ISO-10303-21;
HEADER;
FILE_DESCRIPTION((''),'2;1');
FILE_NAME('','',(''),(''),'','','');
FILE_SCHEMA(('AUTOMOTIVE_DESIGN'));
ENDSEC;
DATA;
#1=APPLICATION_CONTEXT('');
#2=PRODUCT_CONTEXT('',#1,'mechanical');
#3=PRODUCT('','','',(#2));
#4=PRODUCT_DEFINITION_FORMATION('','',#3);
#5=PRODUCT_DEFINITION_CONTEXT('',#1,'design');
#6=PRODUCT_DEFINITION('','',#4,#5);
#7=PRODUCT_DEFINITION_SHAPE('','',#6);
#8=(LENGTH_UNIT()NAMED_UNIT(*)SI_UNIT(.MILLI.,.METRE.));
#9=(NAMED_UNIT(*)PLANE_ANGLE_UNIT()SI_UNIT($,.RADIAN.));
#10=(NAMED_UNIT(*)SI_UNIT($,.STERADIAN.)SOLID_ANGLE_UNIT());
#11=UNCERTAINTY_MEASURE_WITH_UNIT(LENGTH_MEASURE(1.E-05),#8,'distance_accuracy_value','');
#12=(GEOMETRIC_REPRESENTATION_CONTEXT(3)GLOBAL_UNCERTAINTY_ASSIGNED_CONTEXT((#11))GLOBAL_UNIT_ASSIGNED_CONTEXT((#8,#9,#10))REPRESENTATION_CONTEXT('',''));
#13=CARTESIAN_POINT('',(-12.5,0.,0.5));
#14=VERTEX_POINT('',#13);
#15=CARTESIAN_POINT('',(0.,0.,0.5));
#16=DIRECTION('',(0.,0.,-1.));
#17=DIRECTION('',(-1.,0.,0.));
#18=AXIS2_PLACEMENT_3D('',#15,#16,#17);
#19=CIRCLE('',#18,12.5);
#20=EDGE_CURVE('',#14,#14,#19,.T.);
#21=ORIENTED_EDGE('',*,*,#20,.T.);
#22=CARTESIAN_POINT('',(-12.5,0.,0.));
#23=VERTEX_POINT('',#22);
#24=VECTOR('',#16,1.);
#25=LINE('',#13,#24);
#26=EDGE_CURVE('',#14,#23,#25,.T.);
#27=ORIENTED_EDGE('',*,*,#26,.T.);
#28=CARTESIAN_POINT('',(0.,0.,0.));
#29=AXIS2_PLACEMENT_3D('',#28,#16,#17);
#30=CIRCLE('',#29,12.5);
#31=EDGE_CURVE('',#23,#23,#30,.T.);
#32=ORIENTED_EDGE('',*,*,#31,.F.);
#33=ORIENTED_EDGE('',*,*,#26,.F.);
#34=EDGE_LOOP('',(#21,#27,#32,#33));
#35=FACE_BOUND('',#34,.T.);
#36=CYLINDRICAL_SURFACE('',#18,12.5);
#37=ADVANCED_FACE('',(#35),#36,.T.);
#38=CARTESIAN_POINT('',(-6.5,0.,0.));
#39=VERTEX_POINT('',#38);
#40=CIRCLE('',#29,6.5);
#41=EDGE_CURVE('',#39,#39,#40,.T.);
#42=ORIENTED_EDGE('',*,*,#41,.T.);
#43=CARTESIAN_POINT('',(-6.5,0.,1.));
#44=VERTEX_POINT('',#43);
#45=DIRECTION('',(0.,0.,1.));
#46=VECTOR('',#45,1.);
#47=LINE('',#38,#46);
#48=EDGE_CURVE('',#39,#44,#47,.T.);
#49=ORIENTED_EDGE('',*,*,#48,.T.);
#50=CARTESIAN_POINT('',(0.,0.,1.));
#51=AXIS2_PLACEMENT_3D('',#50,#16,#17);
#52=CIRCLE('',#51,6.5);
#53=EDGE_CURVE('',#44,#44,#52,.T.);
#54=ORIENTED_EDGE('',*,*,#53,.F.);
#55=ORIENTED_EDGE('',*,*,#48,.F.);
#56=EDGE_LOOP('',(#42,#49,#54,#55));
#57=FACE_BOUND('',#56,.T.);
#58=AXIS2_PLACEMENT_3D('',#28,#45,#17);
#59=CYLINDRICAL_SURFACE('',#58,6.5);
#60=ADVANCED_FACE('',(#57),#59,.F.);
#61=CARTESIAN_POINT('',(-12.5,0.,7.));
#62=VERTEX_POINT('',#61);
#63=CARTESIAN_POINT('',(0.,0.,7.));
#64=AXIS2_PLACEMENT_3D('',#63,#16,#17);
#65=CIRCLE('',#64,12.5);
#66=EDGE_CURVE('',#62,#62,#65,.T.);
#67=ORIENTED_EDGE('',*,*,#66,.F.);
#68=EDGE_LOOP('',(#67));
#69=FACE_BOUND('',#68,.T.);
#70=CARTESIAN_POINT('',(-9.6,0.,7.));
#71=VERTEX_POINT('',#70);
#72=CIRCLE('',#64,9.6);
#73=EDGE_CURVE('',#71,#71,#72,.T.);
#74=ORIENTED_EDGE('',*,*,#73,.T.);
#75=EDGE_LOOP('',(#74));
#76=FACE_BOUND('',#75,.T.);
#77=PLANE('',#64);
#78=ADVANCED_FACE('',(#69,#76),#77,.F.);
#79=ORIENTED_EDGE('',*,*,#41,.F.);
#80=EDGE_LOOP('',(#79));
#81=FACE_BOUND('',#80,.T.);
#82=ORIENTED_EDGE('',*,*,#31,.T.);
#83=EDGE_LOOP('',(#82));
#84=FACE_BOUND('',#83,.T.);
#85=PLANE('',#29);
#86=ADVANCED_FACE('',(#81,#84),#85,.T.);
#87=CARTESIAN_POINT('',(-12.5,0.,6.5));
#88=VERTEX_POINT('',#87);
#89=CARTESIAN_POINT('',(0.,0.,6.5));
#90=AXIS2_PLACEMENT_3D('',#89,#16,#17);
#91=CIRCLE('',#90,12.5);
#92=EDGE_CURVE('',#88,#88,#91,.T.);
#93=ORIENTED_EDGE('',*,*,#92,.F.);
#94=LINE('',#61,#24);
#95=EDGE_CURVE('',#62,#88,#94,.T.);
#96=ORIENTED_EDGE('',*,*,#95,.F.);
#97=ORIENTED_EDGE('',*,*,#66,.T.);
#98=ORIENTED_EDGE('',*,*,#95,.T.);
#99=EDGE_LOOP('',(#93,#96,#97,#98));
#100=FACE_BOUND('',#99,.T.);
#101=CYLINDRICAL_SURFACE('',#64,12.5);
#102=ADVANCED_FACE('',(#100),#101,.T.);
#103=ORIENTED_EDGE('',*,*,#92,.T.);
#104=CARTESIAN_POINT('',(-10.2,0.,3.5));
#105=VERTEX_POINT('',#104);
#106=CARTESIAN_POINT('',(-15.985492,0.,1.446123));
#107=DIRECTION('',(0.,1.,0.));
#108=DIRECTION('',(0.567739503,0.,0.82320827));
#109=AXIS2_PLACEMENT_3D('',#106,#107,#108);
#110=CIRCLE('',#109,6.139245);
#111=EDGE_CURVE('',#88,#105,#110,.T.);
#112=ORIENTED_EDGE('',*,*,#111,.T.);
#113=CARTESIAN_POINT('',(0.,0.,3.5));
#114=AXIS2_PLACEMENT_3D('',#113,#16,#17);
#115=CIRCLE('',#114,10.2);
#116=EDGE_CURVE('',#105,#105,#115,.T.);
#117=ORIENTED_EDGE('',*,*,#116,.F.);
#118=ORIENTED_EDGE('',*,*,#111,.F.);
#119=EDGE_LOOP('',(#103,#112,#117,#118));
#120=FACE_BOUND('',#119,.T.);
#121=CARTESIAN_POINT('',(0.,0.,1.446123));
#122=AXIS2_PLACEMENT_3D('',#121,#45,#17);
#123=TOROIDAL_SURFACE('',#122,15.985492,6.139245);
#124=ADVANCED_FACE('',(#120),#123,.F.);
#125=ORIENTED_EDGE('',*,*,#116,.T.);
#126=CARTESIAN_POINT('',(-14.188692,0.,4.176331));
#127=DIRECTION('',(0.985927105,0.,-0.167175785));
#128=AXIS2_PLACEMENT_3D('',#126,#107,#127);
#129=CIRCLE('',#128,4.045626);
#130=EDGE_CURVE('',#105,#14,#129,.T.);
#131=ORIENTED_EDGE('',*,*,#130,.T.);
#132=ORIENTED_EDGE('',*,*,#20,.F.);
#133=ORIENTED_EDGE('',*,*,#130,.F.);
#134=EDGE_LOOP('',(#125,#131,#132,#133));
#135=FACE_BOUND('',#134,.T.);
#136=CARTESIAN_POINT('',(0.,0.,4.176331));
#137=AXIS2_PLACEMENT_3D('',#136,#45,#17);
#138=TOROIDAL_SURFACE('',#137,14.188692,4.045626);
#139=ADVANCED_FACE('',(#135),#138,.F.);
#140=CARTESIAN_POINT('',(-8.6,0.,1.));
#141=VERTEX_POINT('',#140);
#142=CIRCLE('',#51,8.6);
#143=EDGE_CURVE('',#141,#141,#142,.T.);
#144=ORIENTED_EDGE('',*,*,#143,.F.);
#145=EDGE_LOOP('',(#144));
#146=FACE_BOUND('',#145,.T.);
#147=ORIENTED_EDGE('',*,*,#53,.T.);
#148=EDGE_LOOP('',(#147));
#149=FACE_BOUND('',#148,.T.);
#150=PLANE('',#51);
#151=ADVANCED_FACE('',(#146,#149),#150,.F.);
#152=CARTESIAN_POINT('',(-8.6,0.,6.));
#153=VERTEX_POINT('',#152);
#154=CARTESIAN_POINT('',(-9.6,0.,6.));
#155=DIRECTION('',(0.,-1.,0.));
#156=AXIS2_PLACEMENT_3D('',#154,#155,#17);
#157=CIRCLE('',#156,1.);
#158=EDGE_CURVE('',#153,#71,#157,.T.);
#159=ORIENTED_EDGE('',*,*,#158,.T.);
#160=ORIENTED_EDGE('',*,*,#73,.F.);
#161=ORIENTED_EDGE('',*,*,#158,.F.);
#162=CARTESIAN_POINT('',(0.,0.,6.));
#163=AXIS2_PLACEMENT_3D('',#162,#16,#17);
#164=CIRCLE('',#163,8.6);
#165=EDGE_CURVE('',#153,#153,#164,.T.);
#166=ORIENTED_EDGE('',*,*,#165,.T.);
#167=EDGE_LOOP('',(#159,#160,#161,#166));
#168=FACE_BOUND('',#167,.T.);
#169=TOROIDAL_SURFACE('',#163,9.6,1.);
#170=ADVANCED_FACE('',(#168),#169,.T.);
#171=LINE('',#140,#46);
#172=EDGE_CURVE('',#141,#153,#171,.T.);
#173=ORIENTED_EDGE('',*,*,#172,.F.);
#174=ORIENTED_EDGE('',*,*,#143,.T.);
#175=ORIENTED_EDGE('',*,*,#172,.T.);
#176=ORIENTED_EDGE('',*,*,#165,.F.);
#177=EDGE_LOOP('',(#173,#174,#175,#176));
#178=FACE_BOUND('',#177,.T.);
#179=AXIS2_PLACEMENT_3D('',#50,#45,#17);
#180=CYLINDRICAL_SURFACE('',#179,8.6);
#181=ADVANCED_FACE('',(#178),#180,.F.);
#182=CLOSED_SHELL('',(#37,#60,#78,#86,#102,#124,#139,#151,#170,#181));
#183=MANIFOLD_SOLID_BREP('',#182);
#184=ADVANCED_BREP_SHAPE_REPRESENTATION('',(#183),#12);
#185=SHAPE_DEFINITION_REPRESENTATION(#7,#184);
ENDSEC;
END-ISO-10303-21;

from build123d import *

# Parameters (mm, degrees)
F2_R = 1


with BuildPart() as f1:
    # F0 (on Front) → F1 (revolve)
    with BuildSketch(Plane.XZ):
        with BuildLine():
            Line((-6.5, 0), (-6.5, 1))
            Line((-6.5, 1), (-8.6, 1))
            Line((-8.6, 1), (-8.6, 7))
            Line((-8.6, 7), (-12.5, 7))
            Line((-12.5, 7), (-12.5, 6.5))
            ThreePointArc((-12.5, 6.5), (-11.113348, 5.181433), (-10.2, 3.5))
            ThreePointArc((-10.2, 3.5), (-10.978058, 1.714844), (-12.5, 0.5))
            Line((-12.5, 0.5), (-12.5, 0))
            Line((-12.5, 0), (-6.5, 0))
        make_face()
    revolve(axis=Axis((0, 0, 10.677967), (0, 0, -1)))

    # F2
    f2_edges = [f1.edges().sort_by_distance(p)[0] for p in [
        (8.6, 0, 7),
    ]]
    fillet(f2_edges, radius=F2_R)


solid = f1.part
